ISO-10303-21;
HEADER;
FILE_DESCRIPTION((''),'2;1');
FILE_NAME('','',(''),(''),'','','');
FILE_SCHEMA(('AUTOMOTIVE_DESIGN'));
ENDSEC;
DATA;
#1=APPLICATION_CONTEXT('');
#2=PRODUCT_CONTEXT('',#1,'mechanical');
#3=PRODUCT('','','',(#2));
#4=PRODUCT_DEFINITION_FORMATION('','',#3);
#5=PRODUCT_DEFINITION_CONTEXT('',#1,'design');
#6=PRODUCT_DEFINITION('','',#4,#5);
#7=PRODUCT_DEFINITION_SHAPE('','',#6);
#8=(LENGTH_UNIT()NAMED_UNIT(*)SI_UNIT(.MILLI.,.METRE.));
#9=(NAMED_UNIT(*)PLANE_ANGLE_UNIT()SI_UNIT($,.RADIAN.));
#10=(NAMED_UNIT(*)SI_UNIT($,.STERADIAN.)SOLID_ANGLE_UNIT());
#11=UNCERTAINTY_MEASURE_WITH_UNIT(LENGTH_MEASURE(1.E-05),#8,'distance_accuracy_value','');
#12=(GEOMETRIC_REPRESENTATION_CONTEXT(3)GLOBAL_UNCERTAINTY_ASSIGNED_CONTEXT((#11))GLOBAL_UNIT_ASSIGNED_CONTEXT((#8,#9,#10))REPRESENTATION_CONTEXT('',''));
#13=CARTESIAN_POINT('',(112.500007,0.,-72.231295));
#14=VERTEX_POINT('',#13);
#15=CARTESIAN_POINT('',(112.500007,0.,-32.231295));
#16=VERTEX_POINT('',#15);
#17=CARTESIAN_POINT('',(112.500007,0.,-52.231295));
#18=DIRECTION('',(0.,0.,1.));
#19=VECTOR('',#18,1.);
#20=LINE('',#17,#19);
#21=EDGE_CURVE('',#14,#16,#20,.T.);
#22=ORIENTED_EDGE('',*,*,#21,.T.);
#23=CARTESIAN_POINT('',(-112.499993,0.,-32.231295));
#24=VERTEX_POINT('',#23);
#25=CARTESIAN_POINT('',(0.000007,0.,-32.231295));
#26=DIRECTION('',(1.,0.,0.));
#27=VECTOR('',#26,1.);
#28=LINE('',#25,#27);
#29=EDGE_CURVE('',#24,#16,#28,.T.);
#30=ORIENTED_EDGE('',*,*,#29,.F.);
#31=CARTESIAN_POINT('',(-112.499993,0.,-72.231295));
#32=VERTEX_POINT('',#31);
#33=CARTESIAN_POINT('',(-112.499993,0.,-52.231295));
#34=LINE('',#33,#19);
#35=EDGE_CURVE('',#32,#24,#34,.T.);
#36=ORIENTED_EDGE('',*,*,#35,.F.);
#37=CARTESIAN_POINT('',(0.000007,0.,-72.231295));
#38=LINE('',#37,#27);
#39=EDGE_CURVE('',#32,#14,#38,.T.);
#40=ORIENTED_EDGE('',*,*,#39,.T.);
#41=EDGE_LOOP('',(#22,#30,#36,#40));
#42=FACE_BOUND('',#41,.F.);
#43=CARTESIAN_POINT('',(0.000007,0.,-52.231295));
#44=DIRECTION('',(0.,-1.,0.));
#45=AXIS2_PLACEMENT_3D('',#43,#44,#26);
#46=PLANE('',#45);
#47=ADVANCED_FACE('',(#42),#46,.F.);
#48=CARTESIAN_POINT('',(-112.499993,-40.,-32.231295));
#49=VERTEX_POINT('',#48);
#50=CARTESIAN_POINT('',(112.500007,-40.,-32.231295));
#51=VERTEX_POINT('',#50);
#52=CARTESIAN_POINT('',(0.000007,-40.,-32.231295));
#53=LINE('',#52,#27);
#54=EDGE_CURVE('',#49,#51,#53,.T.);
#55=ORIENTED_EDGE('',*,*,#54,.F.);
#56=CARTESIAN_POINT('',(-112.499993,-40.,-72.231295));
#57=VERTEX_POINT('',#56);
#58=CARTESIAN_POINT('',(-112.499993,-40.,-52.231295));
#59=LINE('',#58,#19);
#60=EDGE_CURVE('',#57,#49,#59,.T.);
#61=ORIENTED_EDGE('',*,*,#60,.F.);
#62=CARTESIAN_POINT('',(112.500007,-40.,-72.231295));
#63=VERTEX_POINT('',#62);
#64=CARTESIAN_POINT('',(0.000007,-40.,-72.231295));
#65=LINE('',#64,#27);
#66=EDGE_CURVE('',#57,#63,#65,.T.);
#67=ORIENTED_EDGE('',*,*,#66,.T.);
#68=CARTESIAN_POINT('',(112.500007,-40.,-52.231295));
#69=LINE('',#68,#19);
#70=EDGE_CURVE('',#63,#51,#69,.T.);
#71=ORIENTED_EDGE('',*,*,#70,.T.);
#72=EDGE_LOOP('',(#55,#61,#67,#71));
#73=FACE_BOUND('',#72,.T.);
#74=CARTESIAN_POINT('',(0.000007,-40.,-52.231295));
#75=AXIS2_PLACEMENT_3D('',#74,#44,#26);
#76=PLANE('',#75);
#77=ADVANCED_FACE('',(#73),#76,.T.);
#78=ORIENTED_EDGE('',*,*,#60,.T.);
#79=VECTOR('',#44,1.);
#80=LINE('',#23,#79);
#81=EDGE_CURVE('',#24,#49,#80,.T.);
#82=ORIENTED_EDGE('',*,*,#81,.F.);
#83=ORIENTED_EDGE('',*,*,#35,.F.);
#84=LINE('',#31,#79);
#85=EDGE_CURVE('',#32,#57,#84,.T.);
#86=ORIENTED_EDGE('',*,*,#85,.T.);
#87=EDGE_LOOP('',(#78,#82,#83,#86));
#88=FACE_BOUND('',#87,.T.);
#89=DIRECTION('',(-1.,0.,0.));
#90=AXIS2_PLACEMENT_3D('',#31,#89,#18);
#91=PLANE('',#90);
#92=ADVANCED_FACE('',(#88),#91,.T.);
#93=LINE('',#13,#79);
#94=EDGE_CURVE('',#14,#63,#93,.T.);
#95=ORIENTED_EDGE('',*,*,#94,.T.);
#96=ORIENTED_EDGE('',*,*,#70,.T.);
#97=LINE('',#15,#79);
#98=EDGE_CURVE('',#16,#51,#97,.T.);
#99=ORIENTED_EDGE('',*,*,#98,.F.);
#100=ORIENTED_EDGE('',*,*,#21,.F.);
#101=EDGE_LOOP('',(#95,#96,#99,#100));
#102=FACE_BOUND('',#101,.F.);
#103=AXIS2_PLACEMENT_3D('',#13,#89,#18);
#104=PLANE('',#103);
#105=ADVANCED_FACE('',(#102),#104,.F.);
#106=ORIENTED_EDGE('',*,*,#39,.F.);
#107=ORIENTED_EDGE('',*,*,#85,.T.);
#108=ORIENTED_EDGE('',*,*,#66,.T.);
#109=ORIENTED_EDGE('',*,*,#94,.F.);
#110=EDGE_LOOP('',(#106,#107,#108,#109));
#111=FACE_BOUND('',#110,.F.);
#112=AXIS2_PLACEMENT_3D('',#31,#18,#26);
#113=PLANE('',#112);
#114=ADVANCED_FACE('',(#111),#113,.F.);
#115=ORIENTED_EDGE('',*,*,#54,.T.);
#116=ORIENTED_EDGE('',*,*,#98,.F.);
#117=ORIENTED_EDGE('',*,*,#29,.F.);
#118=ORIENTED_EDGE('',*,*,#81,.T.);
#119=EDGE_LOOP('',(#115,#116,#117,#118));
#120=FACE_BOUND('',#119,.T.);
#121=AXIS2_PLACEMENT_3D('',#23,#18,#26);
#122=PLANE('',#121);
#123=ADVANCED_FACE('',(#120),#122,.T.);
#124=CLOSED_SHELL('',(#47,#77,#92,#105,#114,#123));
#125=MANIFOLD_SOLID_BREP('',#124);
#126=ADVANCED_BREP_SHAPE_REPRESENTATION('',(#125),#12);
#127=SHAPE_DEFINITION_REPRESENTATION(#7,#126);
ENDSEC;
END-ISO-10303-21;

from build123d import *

# Parameters (mm, degrees)
F0_W     = 225
F0_H     = 40
F1_DEPTH = 40


with BuildPart() as f1:
    # F0 (on Front) → F1 (new body)
    with BuildSketch(Plane.XZ):
        with Locations((7e-06, -52.231295)):
            Rectangle(F0_W, F0_H)
    extrude(amount=F1_DEPTH)


solid = f1.part
